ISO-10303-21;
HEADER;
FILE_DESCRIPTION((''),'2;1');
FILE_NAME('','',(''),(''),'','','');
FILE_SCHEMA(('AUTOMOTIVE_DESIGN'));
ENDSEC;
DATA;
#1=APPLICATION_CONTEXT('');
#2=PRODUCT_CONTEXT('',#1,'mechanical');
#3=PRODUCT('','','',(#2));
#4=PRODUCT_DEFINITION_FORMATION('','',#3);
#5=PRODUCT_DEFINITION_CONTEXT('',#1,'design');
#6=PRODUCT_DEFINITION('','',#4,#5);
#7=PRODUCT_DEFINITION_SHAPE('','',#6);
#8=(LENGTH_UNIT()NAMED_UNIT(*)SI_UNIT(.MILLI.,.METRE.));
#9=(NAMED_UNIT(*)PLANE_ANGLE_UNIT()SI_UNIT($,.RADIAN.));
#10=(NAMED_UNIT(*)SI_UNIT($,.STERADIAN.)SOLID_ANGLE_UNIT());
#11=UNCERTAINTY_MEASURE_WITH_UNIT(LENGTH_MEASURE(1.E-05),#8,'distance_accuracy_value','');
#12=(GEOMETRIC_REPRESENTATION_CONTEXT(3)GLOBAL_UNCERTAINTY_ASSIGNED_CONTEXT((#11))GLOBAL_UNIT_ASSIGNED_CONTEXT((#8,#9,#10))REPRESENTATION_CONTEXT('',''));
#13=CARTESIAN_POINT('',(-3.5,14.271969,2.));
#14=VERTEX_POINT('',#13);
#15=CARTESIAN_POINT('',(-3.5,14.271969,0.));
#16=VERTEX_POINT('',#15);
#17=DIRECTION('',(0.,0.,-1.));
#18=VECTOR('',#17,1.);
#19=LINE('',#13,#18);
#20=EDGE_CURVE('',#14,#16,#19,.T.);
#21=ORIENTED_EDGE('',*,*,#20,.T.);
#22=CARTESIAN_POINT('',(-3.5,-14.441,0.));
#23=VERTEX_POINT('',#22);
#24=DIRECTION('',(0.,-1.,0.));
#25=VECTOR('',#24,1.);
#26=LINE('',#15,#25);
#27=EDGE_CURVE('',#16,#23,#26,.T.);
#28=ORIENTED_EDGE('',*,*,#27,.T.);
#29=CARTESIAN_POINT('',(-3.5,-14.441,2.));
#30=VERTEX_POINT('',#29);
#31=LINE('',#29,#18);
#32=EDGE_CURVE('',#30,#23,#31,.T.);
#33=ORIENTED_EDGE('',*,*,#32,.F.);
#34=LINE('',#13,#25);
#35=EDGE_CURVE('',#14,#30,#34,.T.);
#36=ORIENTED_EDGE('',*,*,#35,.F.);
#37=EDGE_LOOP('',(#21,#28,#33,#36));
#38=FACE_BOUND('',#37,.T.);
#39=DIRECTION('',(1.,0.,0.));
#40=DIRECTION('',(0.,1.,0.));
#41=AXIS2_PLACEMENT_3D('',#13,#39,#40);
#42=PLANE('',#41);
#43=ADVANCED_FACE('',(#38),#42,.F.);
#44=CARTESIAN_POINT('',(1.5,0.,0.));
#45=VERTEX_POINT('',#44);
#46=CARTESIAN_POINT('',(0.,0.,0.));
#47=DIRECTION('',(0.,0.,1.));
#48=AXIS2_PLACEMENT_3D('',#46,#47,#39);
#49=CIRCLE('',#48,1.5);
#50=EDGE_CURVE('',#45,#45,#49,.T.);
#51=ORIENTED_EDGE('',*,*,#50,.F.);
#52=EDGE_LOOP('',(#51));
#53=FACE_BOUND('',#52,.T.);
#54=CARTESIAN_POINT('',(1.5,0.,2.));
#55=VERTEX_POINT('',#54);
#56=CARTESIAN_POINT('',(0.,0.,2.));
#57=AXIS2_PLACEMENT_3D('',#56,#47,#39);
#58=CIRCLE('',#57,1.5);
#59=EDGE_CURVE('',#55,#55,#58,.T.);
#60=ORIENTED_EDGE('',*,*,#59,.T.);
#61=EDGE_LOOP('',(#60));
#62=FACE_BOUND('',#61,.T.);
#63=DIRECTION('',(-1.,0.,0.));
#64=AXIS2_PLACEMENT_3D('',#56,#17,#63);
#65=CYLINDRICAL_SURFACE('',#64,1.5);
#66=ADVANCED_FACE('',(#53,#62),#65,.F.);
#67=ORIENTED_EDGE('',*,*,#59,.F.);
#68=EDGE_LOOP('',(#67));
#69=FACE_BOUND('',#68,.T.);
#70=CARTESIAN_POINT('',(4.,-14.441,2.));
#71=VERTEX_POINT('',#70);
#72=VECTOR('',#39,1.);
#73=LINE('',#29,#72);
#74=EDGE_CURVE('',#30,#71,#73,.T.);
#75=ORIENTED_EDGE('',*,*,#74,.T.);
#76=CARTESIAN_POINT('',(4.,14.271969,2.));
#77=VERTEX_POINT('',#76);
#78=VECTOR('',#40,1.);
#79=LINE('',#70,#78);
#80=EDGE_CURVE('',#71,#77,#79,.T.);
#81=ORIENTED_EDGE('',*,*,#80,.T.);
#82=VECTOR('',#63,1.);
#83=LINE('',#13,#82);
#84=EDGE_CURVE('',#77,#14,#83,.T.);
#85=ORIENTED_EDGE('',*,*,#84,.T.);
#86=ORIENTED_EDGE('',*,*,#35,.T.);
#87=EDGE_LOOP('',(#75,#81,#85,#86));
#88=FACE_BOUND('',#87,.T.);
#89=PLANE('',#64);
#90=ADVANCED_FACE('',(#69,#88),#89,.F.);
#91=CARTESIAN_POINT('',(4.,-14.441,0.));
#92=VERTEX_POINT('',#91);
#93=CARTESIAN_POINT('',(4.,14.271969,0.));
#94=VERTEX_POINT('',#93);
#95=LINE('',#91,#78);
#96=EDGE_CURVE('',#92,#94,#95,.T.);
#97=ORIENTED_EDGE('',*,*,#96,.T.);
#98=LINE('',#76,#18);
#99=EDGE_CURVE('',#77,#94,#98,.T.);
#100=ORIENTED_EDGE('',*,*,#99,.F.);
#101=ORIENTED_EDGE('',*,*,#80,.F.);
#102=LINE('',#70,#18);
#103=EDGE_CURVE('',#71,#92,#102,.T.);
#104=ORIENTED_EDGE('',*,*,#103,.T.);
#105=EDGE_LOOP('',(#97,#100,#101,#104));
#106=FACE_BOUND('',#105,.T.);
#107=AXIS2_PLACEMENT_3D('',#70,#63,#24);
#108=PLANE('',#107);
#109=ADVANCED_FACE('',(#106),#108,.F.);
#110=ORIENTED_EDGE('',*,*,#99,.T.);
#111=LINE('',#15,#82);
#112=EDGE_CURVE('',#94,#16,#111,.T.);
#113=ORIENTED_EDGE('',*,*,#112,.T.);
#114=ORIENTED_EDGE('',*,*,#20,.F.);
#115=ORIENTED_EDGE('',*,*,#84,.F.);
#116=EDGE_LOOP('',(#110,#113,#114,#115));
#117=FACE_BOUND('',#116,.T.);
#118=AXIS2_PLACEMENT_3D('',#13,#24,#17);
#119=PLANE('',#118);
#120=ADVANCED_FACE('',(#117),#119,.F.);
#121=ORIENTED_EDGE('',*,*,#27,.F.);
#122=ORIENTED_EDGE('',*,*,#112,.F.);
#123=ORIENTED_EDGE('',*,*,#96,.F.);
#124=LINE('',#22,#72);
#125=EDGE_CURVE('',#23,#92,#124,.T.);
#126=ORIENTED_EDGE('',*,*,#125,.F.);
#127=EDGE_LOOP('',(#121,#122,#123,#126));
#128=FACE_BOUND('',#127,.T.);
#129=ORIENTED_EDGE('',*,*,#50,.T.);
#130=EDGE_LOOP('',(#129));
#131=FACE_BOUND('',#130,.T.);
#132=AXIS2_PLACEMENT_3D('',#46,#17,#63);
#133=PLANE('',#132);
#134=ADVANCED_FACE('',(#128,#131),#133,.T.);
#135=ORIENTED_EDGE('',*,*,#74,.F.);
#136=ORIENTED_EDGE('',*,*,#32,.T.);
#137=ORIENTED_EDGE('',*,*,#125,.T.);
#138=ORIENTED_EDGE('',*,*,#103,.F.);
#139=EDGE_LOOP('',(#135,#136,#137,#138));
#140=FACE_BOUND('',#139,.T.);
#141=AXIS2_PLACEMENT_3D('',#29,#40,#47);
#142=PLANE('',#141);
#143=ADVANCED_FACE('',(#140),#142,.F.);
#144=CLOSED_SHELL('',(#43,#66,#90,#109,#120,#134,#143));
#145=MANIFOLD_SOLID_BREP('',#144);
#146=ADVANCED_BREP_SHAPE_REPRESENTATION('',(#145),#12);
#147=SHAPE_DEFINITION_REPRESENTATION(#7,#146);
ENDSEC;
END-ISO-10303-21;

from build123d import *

# Parameters (mm, degrees)
SKETCH1_W           = 7.5
SKETCH1_H           = 28.712969094
SKETCH1_R           = 1.5
BOSS_EXTRUDE1_DEPTH = 2


with BuildPart() as part:
    # Sketch1 → Boss-Extrude1 (new body)
    with BuildSketch(Plane.XY):
        with Locations((0.25, -0.084515453)):
            Rectangle(SKETCH1_W, SKETCH1_H)
        Circle(SKETCH1_R, mode=Mode.SUBTRACT)
    extrude(amount=BOSS_EXTRUDE1_DEPTH)


solid = part.part
